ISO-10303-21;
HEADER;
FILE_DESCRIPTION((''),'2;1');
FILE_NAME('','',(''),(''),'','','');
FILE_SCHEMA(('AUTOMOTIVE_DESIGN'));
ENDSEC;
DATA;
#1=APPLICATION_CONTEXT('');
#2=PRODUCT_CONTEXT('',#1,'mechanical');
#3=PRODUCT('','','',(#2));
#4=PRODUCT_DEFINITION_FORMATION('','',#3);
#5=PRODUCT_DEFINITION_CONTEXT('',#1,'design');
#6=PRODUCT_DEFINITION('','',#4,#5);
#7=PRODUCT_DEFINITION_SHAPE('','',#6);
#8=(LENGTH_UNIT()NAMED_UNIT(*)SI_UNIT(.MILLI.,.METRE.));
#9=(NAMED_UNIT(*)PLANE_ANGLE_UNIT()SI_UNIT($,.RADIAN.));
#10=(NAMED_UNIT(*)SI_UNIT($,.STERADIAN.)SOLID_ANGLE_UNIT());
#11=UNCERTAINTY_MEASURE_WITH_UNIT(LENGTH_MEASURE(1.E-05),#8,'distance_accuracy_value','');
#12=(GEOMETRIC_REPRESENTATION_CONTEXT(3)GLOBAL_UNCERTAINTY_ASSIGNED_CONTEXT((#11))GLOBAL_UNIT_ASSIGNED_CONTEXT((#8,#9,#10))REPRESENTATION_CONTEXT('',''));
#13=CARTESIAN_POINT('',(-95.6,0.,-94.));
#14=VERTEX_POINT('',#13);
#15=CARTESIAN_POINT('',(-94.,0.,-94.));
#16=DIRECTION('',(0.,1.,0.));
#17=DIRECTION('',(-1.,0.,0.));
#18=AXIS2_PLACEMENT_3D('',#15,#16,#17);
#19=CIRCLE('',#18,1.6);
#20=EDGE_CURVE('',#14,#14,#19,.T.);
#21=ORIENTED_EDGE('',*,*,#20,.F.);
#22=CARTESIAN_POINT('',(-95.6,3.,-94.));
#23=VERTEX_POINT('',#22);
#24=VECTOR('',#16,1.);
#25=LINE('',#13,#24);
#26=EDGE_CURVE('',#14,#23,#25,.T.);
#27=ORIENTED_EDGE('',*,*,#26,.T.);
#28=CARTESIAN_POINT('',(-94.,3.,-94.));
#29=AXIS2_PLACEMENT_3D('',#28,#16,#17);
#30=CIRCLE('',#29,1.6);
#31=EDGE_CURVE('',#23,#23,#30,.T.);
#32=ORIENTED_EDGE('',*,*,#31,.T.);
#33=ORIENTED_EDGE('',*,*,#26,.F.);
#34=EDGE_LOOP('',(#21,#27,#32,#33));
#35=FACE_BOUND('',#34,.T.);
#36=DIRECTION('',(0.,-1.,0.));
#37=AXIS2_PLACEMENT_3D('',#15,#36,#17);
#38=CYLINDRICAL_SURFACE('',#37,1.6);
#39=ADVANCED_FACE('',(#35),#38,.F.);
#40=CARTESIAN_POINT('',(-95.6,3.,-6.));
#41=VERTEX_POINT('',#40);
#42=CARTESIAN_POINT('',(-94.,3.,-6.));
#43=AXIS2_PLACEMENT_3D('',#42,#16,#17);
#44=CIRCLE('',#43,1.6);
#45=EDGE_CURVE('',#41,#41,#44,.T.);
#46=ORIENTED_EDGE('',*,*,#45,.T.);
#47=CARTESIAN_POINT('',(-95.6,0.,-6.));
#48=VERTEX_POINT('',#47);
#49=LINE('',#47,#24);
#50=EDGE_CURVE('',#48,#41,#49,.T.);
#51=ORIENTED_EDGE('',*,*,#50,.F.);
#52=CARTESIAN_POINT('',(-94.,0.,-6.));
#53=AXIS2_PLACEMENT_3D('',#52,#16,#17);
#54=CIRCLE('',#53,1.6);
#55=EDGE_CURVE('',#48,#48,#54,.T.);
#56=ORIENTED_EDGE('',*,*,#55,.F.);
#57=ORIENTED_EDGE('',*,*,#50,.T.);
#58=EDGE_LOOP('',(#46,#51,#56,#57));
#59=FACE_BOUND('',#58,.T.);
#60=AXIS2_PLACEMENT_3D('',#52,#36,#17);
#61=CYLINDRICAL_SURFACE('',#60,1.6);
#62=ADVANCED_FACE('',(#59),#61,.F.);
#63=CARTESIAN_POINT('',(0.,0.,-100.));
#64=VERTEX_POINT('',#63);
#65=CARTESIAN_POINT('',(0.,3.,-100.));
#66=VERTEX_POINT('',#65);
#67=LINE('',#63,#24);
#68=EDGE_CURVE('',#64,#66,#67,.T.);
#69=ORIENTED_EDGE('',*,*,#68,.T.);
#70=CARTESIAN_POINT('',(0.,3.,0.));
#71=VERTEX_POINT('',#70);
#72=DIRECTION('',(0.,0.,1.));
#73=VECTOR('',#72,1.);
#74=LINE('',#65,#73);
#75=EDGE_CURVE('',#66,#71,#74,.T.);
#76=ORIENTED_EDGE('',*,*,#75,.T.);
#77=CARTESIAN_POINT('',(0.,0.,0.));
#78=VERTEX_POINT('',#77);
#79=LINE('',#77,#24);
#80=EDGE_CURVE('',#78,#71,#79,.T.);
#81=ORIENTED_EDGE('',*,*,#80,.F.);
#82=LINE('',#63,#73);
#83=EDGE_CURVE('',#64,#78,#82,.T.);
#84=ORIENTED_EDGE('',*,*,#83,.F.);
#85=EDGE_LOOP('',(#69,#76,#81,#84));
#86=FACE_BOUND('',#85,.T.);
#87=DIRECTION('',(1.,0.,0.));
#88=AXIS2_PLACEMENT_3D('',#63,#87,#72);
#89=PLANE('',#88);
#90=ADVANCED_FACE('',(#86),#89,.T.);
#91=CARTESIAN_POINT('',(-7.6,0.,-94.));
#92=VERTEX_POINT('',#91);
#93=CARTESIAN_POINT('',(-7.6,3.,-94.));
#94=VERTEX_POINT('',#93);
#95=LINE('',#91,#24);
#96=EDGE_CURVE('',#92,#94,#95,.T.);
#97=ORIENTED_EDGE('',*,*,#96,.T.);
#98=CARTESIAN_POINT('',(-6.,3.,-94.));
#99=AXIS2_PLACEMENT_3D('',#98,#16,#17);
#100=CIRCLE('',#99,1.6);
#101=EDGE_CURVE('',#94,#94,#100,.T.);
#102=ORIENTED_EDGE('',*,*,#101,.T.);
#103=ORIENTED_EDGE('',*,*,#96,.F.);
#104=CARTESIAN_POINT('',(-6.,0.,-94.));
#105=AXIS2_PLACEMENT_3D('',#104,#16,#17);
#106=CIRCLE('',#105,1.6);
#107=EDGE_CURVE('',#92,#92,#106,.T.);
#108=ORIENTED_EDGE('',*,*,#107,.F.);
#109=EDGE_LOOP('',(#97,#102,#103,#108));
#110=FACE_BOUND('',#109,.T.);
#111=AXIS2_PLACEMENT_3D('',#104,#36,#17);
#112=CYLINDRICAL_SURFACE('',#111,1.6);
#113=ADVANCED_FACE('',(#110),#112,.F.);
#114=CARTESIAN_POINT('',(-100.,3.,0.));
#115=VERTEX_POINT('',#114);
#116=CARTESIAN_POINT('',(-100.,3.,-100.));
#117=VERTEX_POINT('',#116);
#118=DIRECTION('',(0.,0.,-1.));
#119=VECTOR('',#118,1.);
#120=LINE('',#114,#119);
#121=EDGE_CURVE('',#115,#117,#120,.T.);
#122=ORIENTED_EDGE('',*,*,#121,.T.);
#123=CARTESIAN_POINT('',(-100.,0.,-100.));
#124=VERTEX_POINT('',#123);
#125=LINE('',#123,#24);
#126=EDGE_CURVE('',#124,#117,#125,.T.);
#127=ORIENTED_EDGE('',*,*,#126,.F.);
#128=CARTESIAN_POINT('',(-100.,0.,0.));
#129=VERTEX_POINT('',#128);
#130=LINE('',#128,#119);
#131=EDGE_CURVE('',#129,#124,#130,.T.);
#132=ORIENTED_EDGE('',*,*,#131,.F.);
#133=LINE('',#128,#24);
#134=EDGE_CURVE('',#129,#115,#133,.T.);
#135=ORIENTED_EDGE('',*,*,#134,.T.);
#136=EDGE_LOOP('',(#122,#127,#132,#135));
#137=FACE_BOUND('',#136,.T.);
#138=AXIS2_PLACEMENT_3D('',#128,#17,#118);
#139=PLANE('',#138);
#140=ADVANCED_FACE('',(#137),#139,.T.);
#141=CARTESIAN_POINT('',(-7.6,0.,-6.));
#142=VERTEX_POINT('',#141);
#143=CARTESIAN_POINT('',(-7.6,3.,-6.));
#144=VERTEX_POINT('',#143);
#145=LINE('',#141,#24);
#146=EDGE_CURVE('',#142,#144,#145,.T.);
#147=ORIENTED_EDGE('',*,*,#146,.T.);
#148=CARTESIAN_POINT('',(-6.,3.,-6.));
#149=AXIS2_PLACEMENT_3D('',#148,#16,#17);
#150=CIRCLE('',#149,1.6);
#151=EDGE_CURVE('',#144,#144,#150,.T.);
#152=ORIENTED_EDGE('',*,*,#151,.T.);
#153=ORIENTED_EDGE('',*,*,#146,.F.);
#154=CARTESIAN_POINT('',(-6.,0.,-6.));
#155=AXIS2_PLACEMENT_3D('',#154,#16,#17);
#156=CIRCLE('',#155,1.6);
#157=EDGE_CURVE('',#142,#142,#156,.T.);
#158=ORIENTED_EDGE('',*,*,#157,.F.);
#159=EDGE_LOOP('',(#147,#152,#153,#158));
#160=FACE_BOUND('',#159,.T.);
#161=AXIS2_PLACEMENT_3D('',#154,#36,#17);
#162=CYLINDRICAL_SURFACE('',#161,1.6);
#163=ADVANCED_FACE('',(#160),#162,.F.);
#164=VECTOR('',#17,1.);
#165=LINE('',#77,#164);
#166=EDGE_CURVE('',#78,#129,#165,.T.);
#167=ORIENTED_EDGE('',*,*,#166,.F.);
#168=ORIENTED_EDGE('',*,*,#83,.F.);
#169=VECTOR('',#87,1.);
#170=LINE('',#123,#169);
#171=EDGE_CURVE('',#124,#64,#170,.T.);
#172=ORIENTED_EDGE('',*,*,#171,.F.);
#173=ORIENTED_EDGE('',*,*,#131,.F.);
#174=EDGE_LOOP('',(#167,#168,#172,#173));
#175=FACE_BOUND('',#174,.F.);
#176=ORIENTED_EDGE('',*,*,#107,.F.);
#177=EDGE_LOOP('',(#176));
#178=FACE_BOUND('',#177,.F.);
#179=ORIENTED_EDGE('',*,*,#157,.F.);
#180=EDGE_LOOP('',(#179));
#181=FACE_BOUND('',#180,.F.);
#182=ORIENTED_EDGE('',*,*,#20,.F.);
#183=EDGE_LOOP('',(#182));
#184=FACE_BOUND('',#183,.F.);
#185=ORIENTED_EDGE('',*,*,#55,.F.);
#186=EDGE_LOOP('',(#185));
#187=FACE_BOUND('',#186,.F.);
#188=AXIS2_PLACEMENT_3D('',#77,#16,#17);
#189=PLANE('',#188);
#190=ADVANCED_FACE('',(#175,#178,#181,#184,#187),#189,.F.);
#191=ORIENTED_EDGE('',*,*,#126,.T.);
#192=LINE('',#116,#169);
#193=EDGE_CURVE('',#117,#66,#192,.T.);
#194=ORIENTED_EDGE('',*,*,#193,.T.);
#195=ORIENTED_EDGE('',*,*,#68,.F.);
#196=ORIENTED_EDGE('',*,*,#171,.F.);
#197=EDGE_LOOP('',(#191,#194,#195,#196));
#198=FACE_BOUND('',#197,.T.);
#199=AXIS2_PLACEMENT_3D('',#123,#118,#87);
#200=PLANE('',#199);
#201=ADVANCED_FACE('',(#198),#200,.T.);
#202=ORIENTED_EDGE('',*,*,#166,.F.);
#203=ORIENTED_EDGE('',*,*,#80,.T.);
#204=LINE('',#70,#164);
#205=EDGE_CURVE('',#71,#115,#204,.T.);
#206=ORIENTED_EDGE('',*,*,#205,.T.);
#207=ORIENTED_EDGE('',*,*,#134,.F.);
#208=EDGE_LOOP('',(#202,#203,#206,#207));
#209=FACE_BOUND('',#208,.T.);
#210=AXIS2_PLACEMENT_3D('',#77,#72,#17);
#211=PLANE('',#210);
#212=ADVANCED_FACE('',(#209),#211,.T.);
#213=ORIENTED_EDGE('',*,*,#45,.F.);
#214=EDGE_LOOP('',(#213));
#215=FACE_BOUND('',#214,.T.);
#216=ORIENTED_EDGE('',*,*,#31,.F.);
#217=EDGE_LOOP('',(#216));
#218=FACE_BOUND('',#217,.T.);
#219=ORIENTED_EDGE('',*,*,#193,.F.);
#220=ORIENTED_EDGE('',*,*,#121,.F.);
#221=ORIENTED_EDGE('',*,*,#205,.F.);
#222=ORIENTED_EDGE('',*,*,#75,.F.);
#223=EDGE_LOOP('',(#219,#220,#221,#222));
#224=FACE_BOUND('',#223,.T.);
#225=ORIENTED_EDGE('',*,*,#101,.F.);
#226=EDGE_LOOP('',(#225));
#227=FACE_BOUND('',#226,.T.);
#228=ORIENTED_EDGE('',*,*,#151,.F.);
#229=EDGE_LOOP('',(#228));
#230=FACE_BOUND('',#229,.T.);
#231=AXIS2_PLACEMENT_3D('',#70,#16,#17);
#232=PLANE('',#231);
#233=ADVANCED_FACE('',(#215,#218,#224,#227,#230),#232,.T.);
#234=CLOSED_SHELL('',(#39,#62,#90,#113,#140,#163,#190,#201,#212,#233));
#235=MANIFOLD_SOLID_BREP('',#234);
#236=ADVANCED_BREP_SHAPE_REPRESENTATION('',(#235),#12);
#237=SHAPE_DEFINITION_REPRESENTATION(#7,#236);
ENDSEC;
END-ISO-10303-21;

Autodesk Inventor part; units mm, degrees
ref_plane "YZ Plane" through (0, 0, 0) normal (1, 0, 0) x (0, 1, 0)
ref_plane "XZ Plane" through (0, 0, 0) normal (0, 1, 0) x (-1, 0, 0)
ref_plane "XY Plane" through (0, 0, 0) normal (0, 0, 1) x (1, 0, 0)
sketch "Sketch1" plane through (0, 0, 0) normal (0, 1, 0) x (-1, 0, 0)
  line L0 (0, 0) -> (100, 0)
  line L1 (100, 0) -> (100, -100)
  line L2 (100, -100) -> (0, -100)
  line L3 (0, -100) -> (0, 0)
  line L4 (100, 0) -> (97, 0) construction
  line L5 (97, 0) -> (97, -100) construction
  line L6 (97, -100) -> (100, -100) construction
  line L7 (100, -100) -> (100, 0) construction
  line L8 (97, 0) -> (3, 0) construction
  line L9 (3, 0) -> (3, -3) construction
  line L10 (3, -3) -> (97, -3) construction
  line L11 (97, -3) -> (97, 0) construction
  line L12 (3, 0) -> (0, 0) construction
  line L13 (0, 0) -> (0, -100) construction
  line L14 (0, -100) -> (3, -100) construction
  line L15 (3, -100) -> (3, 0) construction
  line L16 (3, -100) -> (97, -100) construction
  line L17 (97, -100) -> (97, -97) construction
  line L18 (97, -97) -> (3, -97) construction
  line L19 (3, -97) -> (3, -100) construction
  line L20 (97, -3) -> (91, -3) construction
  line L21 (91, -3) -> (91, -9) construction
  line L22 (91, -9) -> (97, -9) construction
  line L23 (97, -9) -> (97, -3) construction
  line L24 (97, -97) -> (91, -97) construction
  line L25 (91, -97) -> (91, -91) construction
  line L26 (91, -91) -> (97, -91) construction
  line L27 (97, -91) -> (97, -97) construction
  line L28 (3, -3) -> (9, -3) construction
  line L29 (9, -3) -> (9, -9) construction
  line L30 (9, -9) -> (3, -9) construction
  line L31 (3, -9) -> (3, -3) construction
  line L32 (3, -97) -> (9, -97) construction
  line L33 (9, -97) -> (9, -91) construction
  line L34 (9, -91) -> (3, -91) construction
  line L35 (3, -91) -> (3, -97) construction
  circle A0 centre (94, -6) radius 1.6
  circle A1 centre (94, -94) radius 1.6
  circle A2 centre (6, -6) radius 1.6
  circle A3 centre (6, -94) radius 1.6
  point P0 (91, -6)
  point P1 (94, -9)
  point P2 (9, -6)
  point P3 (6, -9)
  point P4 (91, -94)
  point P5 (94, -91)
  dimension "d0" = 100
  dimension "d2" = 3
  dimension "d3" = 6
  dimension "d4" = 3.2
extrude "Extrusion1" add sketch "Sketch1" along normal blind 3
properties part number "TopPlate"
